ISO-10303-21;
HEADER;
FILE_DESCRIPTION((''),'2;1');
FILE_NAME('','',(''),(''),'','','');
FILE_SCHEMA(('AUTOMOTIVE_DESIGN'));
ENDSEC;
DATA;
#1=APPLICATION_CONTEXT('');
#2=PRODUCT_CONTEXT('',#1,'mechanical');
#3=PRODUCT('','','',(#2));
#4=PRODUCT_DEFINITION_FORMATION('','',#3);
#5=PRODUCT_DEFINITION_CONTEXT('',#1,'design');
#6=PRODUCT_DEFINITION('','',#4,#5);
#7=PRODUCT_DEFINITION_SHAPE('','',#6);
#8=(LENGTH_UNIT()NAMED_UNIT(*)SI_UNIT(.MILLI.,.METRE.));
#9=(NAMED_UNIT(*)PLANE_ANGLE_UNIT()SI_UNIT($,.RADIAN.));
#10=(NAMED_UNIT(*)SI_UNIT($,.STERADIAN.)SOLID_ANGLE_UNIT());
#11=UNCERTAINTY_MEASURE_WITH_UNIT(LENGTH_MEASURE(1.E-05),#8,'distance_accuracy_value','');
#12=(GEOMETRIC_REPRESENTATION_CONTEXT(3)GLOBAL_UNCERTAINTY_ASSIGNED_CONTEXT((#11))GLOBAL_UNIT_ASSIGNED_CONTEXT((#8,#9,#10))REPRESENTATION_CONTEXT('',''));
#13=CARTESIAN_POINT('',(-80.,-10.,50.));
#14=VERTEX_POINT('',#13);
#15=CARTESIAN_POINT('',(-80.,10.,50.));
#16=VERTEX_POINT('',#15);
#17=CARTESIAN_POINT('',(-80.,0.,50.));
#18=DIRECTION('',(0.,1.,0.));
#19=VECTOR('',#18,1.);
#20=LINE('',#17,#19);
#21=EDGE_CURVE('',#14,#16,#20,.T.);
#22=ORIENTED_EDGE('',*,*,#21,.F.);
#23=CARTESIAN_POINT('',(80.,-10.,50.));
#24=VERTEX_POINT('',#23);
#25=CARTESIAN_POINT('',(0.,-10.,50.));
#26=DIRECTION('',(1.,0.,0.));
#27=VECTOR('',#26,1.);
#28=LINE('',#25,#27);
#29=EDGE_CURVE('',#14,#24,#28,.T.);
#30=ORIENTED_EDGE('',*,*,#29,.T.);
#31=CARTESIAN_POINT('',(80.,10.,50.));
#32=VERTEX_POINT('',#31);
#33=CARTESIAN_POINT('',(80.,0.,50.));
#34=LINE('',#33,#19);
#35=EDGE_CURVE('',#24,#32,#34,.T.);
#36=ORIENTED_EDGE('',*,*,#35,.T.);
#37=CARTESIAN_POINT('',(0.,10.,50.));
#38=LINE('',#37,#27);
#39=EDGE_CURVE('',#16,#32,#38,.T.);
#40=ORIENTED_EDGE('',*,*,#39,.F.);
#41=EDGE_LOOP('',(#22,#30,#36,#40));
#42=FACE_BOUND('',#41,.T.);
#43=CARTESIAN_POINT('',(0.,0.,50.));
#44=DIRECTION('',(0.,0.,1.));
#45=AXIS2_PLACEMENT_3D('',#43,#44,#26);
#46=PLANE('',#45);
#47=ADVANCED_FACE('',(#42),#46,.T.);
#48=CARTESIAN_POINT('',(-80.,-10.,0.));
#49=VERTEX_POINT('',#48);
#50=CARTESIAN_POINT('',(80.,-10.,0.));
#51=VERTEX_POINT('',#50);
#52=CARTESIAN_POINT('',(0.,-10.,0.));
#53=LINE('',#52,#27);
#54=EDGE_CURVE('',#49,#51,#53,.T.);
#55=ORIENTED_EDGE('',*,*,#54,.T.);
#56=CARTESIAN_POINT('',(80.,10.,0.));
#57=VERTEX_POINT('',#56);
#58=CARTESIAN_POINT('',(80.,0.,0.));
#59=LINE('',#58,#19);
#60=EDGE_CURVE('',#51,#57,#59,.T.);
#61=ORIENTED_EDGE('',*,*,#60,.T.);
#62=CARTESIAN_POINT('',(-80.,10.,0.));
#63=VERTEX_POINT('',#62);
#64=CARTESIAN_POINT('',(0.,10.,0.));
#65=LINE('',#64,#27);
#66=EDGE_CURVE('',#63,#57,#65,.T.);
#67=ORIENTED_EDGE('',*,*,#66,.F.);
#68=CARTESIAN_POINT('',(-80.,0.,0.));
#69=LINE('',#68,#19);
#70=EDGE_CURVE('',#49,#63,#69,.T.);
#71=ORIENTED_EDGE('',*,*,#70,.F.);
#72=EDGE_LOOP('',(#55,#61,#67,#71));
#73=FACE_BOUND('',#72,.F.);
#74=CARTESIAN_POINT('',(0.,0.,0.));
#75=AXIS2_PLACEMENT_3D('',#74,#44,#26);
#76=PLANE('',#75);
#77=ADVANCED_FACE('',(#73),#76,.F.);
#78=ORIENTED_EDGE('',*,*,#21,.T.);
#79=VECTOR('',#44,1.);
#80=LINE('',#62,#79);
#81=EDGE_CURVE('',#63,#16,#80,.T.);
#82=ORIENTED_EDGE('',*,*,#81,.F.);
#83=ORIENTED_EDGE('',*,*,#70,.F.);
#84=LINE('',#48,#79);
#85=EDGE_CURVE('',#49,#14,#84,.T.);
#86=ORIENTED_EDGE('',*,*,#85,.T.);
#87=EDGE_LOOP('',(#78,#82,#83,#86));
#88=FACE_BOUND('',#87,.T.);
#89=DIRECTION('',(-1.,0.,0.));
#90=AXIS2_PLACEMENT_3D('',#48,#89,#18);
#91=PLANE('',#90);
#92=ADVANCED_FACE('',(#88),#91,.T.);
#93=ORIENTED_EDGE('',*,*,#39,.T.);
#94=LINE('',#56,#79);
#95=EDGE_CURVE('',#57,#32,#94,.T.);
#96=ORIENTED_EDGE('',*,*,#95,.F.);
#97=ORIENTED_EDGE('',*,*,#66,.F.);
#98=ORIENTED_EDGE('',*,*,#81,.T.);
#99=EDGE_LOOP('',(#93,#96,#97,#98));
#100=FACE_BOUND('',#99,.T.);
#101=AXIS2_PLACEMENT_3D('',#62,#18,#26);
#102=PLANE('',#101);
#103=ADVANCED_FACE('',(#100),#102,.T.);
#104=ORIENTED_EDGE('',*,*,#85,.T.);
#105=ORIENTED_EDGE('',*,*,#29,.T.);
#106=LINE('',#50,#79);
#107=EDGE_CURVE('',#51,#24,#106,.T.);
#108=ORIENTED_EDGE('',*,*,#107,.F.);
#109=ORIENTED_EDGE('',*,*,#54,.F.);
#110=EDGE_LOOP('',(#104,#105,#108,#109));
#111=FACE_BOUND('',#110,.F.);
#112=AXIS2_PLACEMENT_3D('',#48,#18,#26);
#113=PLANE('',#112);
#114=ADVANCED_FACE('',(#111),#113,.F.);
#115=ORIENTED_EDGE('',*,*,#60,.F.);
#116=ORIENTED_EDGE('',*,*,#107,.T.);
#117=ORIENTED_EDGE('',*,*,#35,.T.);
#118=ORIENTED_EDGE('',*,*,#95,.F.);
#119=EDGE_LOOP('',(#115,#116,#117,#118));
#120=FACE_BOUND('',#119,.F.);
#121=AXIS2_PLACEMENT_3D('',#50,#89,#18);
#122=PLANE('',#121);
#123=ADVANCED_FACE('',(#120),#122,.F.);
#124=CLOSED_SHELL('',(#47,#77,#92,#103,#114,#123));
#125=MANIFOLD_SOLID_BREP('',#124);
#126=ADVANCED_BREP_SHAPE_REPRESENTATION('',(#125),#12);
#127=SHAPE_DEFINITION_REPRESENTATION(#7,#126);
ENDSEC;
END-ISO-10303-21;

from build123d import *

# Parameters (mm, degrees)
SKETCH_W      = 160
SKETCH_H      = 20
EXTRUDE_DEPTH = 50


with BuildPart() as part:
    # Sketch → Extrude (new body)
    with BuildSketch(Plane.XY):
        Rectangle(SKETCH_W, SKETCH_H)
    extrude(amount=EXTRUDE_DEPTH)


solid = part.part
